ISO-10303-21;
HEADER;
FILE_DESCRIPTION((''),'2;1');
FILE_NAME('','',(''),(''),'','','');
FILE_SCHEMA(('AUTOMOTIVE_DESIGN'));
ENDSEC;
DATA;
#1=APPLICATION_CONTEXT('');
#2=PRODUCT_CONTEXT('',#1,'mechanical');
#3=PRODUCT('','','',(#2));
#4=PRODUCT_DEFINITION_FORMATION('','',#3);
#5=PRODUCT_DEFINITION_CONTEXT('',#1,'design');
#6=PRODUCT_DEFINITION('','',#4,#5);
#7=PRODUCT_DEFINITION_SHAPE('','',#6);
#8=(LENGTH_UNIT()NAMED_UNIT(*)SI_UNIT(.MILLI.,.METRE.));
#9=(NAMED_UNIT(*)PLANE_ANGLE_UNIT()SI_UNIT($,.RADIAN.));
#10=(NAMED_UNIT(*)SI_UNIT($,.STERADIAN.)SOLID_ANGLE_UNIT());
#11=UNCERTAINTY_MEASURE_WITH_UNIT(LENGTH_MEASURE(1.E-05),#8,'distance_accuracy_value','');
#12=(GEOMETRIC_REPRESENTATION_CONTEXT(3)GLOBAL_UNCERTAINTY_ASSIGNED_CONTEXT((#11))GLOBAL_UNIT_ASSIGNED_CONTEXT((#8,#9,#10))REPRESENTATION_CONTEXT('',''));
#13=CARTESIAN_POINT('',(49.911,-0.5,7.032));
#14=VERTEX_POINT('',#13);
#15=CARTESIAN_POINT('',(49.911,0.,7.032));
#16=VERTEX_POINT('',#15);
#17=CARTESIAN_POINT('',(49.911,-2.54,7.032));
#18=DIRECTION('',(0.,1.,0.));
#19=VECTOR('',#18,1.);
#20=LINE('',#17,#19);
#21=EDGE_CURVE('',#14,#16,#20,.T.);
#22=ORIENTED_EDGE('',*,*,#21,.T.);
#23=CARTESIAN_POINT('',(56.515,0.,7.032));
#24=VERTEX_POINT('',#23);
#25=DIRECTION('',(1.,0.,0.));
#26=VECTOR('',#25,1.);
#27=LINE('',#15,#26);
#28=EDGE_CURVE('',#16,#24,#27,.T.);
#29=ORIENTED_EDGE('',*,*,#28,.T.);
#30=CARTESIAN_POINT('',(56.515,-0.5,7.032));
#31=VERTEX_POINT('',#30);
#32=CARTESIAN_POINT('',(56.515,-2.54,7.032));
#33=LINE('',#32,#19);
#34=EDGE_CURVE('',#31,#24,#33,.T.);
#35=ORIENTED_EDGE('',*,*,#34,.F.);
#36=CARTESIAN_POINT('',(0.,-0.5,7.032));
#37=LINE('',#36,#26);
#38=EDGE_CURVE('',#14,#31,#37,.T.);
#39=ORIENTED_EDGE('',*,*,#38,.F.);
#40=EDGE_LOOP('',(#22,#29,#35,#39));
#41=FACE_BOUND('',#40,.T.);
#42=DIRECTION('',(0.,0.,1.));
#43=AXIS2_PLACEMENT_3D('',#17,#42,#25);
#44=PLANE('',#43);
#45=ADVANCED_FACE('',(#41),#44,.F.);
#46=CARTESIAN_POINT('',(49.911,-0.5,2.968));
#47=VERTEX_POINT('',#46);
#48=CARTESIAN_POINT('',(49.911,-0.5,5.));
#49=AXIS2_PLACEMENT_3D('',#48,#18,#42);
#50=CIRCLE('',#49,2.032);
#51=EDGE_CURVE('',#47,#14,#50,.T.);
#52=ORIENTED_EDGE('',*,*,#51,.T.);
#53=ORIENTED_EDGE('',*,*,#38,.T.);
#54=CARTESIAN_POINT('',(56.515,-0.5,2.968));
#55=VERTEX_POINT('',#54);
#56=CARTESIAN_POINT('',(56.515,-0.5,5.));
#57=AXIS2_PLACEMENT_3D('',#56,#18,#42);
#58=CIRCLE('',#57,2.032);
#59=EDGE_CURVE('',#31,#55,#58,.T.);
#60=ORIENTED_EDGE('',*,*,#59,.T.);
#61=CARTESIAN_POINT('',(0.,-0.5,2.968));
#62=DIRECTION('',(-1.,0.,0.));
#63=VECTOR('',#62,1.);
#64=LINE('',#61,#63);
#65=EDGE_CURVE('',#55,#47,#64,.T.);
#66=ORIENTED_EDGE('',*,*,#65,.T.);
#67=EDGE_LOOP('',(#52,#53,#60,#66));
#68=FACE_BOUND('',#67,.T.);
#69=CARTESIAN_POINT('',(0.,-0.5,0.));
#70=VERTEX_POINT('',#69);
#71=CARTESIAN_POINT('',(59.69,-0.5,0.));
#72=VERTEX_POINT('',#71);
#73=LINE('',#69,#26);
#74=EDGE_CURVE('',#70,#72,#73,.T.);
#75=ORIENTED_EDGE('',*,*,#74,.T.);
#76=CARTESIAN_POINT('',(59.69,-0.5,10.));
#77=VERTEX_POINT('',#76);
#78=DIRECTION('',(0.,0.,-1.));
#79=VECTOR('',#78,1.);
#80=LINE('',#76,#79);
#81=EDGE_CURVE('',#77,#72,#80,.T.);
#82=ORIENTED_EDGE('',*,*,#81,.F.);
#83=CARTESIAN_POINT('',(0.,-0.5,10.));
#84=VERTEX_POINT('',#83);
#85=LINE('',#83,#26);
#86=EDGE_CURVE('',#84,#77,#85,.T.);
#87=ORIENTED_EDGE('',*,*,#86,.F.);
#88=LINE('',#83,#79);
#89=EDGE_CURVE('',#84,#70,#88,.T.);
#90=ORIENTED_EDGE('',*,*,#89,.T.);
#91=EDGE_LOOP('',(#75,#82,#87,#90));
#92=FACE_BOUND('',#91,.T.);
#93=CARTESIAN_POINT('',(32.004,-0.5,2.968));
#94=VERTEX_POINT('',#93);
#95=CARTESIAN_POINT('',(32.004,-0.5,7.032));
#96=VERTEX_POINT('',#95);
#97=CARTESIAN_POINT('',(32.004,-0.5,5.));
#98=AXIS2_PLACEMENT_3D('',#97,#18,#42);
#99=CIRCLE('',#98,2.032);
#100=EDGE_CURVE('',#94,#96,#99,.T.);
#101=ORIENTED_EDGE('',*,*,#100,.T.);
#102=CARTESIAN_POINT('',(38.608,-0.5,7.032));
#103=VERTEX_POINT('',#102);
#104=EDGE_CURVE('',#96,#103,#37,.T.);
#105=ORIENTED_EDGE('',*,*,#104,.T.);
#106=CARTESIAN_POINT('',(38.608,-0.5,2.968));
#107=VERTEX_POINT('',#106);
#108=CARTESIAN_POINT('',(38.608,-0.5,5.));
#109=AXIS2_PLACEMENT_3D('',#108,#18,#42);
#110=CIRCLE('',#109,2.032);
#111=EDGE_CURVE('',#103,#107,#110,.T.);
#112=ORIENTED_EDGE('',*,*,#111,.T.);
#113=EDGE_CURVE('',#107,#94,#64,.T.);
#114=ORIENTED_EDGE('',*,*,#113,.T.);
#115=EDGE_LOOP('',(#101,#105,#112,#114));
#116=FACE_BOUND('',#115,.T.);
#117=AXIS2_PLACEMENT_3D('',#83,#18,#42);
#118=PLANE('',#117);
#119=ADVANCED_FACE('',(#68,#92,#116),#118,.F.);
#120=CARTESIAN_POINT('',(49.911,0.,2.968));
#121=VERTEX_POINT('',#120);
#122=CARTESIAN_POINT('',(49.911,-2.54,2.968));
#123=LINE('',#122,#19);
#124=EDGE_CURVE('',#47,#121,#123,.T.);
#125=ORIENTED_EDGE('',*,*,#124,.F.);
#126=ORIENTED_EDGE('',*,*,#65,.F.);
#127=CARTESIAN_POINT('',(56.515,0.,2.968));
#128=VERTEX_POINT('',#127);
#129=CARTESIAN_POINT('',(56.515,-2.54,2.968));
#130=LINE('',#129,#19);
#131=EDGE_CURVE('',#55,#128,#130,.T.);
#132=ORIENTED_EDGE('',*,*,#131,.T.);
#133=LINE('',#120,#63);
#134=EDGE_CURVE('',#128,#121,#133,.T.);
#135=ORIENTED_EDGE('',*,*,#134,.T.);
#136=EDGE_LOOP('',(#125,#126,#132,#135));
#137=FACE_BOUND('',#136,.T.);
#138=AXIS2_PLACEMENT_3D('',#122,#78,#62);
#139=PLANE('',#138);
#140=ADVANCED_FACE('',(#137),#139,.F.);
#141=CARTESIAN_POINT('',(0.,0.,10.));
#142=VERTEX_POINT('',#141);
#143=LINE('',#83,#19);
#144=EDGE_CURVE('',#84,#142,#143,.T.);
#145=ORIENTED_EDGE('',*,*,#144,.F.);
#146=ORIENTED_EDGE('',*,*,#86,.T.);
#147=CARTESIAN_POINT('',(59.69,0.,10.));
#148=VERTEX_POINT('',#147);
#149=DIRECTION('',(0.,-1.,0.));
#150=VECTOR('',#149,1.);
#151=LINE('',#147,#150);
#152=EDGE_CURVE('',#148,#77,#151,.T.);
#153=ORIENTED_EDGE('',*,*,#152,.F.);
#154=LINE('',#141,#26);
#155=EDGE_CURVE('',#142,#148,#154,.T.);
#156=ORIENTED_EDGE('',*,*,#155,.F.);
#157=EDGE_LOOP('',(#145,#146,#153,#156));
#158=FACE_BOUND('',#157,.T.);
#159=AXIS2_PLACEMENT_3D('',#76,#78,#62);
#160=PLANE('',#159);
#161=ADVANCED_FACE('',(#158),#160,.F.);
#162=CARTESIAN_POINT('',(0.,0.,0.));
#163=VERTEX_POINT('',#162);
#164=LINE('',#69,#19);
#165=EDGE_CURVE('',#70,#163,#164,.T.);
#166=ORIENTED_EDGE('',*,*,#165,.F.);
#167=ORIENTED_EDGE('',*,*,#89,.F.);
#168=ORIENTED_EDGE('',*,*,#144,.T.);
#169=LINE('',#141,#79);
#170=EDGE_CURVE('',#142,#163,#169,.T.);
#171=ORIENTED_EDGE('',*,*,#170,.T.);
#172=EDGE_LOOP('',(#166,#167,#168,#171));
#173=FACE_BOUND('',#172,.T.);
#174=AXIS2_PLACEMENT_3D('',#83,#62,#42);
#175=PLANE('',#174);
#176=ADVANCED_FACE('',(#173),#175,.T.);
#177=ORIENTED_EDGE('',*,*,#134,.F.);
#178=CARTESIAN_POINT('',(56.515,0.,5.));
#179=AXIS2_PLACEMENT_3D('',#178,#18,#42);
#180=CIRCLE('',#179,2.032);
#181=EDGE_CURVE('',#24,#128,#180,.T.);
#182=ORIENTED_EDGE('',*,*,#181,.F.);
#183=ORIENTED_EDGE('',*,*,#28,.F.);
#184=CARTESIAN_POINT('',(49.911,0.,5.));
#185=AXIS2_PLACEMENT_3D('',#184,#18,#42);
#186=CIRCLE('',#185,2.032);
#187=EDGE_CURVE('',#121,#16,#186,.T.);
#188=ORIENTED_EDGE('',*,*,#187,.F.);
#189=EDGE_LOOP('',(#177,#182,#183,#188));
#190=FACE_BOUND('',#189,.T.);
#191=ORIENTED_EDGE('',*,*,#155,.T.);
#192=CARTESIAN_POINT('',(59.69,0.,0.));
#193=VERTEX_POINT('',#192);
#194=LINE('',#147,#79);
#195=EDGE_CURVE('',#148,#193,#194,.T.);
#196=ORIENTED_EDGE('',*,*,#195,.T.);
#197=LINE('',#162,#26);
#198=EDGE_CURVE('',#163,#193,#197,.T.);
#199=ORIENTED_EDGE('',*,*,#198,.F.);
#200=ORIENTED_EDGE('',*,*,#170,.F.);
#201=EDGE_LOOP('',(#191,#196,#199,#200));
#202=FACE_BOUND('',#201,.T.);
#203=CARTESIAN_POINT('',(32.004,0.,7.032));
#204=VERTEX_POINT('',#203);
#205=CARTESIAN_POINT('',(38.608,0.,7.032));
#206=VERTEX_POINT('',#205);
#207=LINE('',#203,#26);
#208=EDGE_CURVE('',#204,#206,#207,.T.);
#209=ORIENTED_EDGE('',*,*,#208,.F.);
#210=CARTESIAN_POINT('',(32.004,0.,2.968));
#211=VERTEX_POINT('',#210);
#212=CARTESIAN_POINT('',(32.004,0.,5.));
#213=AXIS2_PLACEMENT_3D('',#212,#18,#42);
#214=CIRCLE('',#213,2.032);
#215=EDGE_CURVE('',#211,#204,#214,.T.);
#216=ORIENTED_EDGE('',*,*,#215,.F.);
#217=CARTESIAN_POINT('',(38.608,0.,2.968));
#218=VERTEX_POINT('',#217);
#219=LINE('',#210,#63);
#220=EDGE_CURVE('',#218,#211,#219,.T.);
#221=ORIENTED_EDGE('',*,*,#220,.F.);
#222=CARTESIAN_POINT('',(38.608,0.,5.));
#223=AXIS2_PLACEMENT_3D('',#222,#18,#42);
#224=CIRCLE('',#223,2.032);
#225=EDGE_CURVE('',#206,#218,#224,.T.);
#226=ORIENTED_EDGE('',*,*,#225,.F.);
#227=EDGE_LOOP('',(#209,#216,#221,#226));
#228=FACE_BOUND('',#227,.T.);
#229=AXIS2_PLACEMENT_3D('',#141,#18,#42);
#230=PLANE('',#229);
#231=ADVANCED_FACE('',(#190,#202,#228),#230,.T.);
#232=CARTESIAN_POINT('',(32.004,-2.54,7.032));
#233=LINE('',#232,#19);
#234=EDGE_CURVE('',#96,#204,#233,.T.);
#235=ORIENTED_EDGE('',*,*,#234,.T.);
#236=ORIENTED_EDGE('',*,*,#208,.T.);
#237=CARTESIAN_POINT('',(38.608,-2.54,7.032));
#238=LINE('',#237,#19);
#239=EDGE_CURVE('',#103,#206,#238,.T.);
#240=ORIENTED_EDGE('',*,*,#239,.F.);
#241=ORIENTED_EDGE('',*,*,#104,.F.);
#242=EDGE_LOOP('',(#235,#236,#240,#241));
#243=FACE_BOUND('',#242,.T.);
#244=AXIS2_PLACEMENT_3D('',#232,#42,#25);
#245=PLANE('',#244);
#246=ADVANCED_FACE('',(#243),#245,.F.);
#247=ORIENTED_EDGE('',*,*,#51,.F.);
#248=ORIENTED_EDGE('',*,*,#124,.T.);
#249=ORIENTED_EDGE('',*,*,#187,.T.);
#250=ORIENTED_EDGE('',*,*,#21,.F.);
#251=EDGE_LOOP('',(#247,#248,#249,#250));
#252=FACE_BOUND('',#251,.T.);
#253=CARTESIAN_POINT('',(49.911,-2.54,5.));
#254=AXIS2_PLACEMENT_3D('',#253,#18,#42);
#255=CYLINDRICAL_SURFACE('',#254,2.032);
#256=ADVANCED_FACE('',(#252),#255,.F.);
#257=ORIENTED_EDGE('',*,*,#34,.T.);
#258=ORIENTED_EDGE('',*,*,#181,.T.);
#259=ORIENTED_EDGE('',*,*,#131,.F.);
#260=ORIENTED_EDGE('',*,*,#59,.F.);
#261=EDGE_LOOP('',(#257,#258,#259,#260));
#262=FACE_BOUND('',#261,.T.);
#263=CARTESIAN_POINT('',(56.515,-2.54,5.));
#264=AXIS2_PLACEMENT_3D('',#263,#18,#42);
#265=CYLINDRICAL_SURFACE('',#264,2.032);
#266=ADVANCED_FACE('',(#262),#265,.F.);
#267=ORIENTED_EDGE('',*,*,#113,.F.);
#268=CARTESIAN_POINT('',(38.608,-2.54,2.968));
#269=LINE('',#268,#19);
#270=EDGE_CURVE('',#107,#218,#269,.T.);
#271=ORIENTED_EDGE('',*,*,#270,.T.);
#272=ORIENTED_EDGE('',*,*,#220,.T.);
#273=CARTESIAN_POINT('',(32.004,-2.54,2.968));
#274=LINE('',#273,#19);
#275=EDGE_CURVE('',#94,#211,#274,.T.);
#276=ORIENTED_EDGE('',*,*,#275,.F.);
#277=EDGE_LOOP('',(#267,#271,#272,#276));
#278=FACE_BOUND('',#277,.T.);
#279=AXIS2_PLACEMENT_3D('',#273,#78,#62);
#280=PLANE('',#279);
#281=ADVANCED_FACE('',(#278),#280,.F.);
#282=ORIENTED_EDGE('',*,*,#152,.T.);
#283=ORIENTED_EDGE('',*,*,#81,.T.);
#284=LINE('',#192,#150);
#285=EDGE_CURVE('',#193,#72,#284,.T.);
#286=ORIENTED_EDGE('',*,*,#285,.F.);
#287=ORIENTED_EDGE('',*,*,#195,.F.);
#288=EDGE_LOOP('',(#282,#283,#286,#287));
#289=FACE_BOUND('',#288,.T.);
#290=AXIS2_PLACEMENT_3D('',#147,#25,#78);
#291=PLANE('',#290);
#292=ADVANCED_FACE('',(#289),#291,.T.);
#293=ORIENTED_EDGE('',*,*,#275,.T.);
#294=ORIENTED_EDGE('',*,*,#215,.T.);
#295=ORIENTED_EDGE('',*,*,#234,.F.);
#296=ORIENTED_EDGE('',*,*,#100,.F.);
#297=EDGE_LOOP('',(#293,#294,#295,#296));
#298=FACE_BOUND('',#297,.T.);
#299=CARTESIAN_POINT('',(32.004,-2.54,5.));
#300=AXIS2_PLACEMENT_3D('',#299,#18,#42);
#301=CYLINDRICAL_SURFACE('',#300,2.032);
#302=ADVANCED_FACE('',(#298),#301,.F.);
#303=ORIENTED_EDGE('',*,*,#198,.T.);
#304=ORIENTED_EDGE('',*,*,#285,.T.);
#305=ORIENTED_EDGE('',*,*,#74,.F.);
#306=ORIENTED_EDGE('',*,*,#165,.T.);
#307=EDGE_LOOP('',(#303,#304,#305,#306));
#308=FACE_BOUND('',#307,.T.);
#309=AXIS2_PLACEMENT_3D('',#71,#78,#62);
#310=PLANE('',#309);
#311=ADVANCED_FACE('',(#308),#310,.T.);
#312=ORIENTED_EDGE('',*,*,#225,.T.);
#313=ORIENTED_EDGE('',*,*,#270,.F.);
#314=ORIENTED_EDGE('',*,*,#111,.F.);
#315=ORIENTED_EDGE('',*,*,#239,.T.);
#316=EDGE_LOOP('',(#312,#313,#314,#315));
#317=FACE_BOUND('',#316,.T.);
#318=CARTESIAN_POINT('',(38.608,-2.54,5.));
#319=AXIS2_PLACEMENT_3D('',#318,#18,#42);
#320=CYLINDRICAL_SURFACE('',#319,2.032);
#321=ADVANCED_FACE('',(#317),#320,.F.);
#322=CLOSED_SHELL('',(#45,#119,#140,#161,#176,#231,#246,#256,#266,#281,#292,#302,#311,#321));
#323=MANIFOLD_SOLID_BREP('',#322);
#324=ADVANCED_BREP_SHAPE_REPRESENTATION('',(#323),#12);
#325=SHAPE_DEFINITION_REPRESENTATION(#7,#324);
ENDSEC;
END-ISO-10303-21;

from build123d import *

# Parameters (mm, degrees)
SKETCH1_W           = 59.69
SKETCH1_H           = 0.5
EXTRUDE_THIN1_DEPTH = 10
SKETCH3_OUTSIDE_W   = 73.794
SKETCH3_OUTSIDE_H   = 24.104
SKETCH3_OUTSIDE_W_2 = 59.69
SKETCH3_OUTSIDE_H_2 = 10
CUT_EXTRUDE5_DEPTH  = 2.54


with BuildPart() as part:
    # Sketch1 → Extrude-Thin1 (new body)
    with BuildSketch(Plane.XY):
        with Locations((29.845, -0.25)):
            Rectangle(SKETCH1_W, SKETCH1_H)
    extrude(amount=EXTRUDE_THIN1_DEPTH)

    # Sketch3 outside → Cut-Extrude5 (cut)
    # profile 1 of 3: a face of its own
    with BuildSketch(Plane(origin=(0, 0, 0), x_dir=(1, 0, 0), z_dir=(0, 1, 0))):
        with Locations((29.845, -5)):
            Rectangle(SKETCH3_OUTSIDE_W, SKETCH3_OUTSIDE_H)
        with Locations((29.845, -5)):
            Rectangle(SKETCH3_OUTSIDE_W_2, SKETCH3_OUTSIDE_H_2, mode=Mode.SUBTRACT)
    # profile 2 of 3: a face of its own
    with BuildSketch(Plane(origin=(0, 0, 0), x_dir=(1, 0, 0), z_dir=(0, 1, 0))):
        with BuildLine():
            Line((32.004, -2.968), (38.608, -2.968))
            ThreePointArc((38.608, -2.968), (40.64, -5), (38.608, -7.032))
            Line((38.608, -7.032), (32.004, -7.032))
            ThreePointArc((32.004, -7.032), (29.972, -5), (32.004, -2.968))
        make_face()
    # profile 3 of 3: a face of its own
    with BuildSketch(Plane(origin=(0, 0, 0), x_dir=(1, 0, 0), z_dir=(0, 1, 0))):
        with BuildLine():
            Line((49.911, -2.968), (56.515, -2.968))
            ThreePointArc((56.515, -2.968), (58.547, -5), (56.515, -7.032))
            Line((56.515, -7.032), (49.911, -7.032))
            ThreePointArc((49.911, -7.032), (47.879, -5), (49.911, -2.968))
        make_face()
    extrude(amount=-CUT_EXTRUDE5_DEPTH, mode=Mode.SUBTRACT)


solid = part.part
